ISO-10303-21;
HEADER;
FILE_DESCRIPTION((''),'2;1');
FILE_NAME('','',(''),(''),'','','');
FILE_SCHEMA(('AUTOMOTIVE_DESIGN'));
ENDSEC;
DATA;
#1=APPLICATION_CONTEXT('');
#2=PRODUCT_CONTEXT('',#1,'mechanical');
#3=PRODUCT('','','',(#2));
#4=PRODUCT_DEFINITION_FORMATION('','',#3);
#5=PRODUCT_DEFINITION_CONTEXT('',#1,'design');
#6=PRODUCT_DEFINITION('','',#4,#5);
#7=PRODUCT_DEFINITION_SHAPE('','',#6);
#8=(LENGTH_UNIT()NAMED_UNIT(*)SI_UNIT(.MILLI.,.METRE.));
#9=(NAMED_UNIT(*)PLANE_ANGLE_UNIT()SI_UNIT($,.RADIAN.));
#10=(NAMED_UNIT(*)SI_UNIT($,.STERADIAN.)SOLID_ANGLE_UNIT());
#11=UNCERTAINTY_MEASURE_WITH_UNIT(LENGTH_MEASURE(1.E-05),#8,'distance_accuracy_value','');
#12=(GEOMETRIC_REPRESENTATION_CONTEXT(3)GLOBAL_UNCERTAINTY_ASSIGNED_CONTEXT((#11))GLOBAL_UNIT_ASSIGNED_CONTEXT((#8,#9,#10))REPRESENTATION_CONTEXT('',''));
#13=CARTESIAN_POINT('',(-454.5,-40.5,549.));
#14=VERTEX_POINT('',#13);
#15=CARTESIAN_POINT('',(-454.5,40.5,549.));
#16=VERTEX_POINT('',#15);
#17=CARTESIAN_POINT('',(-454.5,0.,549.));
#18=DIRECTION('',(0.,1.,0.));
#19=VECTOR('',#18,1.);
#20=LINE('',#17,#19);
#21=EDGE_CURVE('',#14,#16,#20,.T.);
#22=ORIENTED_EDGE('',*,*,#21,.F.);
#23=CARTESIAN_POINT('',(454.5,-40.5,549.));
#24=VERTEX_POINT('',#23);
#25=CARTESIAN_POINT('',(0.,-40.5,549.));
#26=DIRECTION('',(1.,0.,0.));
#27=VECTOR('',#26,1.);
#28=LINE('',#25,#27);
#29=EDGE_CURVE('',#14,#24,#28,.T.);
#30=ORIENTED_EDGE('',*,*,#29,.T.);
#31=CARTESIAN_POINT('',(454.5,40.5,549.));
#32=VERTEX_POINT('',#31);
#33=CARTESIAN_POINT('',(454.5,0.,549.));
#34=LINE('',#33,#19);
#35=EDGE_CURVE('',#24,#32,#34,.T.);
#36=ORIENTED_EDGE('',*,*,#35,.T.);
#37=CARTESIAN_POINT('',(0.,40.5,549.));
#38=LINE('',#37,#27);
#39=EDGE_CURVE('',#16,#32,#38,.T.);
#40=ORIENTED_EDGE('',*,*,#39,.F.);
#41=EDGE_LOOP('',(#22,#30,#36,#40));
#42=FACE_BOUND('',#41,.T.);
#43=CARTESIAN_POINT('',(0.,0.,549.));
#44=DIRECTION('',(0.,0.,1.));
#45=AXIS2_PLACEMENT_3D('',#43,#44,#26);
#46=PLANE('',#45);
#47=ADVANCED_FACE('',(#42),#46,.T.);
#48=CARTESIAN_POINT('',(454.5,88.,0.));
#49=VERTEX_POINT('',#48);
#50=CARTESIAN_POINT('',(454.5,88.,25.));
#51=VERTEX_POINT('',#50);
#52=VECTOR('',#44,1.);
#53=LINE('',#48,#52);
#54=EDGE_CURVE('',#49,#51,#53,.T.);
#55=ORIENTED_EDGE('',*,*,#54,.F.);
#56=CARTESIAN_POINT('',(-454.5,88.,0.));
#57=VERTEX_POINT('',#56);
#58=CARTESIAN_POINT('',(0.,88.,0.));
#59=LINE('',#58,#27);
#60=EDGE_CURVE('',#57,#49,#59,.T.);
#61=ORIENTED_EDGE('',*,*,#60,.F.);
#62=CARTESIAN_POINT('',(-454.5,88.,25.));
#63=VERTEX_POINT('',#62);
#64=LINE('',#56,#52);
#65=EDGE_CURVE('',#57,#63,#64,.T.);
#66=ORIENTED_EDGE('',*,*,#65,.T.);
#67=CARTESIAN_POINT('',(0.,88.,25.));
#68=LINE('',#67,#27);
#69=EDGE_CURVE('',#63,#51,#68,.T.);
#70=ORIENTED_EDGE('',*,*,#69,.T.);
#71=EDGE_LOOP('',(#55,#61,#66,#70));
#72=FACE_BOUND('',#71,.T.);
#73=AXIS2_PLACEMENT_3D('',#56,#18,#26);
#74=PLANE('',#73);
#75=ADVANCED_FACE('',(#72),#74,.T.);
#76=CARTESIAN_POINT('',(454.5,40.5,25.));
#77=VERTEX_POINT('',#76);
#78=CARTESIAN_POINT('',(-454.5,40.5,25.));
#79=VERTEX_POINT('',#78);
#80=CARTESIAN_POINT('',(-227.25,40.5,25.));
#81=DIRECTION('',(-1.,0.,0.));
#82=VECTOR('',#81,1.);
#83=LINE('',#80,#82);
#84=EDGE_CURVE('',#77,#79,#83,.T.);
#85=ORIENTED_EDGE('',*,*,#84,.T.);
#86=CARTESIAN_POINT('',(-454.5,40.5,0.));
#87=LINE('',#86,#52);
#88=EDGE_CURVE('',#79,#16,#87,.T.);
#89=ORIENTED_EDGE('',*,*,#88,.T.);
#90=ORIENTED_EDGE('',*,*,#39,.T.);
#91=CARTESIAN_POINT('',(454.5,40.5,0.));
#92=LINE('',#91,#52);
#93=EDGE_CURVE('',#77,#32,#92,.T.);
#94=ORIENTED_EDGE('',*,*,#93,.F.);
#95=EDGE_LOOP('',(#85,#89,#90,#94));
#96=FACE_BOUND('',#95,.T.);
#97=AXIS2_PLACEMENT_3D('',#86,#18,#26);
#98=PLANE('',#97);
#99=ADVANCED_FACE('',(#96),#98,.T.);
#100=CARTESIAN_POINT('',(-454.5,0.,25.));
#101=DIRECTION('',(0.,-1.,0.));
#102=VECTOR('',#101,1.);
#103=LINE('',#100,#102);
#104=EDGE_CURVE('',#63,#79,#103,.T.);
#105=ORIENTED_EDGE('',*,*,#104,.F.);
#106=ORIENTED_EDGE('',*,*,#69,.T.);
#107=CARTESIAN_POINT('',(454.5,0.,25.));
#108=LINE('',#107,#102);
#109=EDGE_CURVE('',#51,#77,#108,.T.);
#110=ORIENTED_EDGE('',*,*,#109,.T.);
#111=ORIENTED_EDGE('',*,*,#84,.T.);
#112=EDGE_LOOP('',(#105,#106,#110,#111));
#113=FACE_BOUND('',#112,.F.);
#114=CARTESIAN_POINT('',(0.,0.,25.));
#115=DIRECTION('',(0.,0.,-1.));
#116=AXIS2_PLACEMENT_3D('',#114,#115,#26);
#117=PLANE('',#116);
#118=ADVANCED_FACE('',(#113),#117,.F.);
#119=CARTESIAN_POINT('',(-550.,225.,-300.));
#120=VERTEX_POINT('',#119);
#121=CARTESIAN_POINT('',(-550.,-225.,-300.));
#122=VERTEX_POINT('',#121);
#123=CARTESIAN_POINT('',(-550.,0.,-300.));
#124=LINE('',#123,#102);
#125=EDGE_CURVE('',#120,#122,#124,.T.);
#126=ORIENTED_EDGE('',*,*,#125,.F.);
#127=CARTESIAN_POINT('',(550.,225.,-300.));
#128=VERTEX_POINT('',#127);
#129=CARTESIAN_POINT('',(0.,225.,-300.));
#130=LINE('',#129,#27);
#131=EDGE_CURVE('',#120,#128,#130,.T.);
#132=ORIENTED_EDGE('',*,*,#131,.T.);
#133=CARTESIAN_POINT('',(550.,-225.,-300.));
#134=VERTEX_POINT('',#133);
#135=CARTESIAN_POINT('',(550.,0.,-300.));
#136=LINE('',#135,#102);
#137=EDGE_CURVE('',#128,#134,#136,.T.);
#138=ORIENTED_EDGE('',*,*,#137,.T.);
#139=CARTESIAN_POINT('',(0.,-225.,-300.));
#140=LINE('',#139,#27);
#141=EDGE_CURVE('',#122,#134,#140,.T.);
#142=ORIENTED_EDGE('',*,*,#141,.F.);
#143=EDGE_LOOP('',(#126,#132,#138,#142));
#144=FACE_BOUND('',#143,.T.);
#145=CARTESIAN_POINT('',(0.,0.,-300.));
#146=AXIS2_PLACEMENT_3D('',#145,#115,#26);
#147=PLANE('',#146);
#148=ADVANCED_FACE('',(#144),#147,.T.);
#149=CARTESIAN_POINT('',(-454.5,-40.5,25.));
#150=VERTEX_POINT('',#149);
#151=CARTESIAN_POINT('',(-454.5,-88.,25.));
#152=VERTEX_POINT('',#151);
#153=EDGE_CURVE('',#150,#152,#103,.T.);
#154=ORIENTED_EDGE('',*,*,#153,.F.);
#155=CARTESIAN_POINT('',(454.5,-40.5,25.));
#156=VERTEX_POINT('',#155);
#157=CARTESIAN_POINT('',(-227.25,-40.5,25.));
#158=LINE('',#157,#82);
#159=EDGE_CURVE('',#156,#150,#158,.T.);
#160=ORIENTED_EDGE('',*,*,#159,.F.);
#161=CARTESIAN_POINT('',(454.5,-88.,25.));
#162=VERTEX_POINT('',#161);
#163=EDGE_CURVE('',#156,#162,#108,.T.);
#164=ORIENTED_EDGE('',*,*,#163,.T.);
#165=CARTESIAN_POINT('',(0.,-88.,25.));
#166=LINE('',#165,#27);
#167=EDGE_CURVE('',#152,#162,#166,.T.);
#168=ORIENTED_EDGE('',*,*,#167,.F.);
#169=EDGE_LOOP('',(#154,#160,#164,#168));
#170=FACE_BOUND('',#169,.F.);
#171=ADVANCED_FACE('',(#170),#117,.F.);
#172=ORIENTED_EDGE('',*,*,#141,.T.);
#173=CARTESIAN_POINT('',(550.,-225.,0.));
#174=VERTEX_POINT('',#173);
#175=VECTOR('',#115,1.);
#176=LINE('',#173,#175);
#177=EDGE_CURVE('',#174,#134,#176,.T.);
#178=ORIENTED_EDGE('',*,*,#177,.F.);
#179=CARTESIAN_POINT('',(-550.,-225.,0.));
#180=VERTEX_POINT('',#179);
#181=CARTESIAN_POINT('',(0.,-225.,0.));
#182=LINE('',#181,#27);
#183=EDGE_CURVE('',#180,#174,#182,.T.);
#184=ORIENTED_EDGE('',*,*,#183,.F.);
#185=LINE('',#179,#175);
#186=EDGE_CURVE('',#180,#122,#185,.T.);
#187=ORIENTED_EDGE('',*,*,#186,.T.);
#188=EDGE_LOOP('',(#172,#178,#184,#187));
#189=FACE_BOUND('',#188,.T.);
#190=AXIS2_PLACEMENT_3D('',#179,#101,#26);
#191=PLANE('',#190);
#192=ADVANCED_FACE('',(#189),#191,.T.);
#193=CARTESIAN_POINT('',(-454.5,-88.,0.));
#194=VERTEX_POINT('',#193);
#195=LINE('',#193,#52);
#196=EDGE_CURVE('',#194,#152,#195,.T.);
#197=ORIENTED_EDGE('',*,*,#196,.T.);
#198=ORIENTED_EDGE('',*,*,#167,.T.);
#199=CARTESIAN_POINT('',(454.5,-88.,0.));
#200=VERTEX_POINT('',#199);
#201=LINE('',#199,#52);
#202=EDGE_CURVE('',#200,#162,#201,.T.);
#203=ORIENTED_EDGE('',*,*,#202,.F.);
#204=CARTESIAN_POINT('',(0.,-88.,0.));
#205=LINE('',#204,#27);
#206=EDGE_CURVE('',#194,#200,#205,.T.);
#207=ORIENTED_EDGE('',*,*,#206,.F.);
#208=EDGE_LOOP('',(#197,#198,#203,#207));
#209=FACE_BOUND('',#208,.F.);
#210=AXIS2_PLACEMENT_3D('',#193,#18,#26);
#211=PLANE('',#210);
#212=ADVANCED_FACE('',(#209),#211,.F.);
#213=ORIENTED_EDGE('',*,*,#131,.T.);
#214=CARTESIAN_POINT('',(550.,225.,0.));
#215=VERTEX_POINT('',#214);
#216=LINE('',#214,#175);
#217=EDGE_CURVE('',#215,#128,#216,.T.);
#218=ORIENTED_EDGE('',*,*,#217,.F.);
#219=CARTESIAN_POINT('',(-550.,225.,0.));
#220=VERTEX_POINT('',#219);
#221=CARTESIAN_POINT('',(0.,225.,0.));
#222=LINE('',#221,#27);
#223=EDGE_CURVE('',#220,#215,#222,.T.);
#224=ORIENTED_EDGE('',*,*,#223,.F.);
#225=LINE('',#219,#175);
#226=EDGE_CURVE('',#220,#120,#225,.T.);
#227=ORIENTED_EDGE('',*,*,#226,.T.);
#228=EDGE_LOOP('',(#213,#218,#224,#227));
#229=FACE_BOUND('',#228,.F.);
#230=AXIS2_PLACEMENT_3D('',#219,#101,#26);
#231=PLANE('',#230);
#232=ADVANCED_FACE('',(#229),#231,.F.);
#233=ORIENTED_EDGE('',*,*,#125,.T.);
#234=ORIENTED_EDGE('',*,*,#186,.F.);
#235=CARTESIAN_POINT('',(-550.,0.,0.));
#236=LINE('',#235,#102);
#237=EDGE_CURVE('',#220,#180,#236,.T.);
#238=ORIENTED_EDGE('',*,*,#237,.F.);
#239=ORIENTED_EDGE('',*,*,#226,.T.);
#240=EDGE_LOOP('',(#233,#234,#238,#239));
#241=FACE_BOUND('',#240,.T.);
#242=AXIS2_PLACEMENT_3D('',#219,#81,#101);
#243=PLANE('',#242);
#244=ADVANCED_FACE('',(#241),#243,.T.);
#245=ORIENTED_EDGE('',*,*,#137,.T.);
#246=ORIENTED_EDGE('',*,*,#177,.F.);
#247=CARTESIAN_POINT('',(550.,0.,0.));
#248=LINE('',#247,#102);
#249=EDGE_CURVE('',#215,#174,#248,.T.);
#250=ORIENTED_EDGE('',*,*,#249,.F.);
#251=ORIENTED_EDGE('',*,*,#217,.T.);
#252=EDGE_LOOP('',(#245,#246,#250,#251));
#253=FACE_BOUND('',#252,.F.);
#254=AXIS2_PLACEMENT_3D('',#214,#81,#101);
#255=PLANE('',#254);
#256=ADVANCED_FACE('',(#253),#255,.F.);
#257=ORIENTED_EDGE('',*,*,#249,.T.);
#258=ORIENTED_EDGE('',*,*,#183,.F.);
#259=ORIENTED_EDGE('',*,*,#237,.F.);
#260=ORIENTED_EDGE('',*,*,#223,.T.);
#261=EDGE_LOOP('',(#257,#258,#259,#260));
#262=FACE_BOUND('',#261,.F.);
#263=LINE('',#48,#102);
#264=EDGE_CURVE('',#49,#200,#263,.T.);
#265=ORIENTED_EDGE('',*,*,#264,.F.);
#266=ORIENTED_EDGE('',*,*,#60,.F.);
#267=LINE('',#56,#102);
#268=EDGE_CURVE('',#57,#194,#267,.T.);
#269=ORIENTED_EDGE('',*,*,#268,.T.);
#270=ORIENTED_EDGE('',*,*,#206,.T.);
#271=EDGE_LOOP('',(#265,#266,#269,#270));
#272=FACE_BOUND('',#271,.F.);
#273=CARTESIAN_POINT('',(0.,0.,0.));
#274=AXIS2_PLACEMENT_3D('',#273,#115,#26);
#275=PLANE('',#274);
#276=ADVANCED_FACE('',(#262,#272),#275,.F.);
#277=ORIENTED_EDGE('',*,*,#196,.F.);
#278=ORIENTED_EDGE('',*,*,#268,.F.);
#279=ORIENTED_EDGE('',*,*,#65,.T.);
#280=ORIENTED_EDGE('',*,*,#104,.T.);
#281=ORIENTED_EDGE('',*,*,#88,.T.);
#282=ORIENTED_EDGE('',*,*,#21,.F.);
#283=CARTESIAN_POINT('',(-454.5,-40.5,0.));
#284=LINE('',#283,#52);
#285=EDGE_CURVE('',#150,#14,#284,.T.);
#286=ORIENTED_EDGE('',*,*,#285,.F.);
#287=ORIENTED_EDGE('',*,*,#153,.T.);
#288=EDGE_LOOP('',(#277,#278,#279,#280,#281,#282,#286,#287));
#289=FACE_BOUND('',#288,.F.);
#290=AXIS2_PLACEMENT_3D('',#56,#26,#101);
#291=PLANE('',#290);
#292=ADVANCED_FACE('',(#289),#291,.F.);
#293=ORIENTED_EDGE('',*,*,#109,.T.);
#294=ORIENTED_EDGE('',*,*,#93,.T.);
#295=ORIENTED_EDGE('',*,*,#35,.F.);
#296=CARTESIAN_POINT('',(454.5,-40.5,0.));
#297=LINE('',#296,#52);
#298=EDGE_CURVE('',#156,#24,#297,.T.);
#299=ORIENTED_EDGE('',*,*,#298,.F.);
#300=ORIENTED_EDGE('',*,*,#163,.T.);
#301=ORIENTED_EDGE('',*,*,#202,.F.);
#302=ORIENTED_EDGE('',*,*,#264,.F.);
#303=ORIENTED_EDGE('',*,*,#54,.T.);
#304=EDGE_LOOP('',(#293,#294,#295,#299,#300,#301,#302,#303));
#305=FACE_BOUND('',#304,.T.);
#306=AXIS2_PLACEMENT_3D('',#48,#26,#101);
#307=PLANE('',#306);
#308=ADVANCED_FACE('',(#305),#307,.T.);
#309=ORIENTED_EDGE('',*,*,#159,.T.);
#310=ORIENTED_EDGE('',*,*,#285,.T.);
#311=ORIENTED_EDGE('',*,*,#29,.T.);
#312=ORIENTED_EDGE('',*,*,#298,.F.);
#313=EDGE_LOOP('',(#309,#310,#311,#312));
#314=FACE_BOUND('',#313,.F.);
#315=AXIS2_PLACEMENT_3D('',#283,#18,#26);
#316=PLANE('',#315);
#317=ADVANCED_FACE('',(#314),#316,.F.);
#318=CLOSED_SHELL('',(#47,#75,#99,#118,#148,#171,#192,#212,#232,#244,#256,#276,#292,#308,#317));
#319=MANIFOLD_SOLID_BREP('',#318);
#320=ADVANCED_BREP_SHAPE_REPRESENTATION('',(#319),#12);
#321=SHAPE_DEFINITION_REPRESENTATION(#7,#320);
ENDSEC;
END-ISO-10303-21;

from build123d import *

# Parameters (mm, degrees)
F0_W     = 909
F0_H     = 81
F1_DEPTH = 549
F2_W     = 909
F2_H     = 176
F3_DEPTH = 25
F4_W     = 1100
F4_H     = 450
F5_DEPTH = 300


with BuildPart() as f1:
    # F0 (on Top) → F1 (new body)
    with BuildSketch(Plane.XY):
        Rectangle(F0_W, F0_H)
    extrude(amount=F1_DEPTH)

    # F2 (on face) → F3 (join)
    with BuildSketch(Plane(origin=(0, 0, 0), x_dir=(1, 0, 0), z_dir=(0, 0, -1))):
        Rectangle(F2_W, F2_H)
    extrude(amount=-F3_DEPTH)

    # F4 (on face) → F5 (join)
    with BuildSketch(Plane(origin=(0, 0, 0), x_dir=(1, 0, 0), z_dir=(0, 0, -1))):
        Rectangle(F4_W, F4_H)
    extrude(amount=F5_DEPTH)


solid = f1.part
